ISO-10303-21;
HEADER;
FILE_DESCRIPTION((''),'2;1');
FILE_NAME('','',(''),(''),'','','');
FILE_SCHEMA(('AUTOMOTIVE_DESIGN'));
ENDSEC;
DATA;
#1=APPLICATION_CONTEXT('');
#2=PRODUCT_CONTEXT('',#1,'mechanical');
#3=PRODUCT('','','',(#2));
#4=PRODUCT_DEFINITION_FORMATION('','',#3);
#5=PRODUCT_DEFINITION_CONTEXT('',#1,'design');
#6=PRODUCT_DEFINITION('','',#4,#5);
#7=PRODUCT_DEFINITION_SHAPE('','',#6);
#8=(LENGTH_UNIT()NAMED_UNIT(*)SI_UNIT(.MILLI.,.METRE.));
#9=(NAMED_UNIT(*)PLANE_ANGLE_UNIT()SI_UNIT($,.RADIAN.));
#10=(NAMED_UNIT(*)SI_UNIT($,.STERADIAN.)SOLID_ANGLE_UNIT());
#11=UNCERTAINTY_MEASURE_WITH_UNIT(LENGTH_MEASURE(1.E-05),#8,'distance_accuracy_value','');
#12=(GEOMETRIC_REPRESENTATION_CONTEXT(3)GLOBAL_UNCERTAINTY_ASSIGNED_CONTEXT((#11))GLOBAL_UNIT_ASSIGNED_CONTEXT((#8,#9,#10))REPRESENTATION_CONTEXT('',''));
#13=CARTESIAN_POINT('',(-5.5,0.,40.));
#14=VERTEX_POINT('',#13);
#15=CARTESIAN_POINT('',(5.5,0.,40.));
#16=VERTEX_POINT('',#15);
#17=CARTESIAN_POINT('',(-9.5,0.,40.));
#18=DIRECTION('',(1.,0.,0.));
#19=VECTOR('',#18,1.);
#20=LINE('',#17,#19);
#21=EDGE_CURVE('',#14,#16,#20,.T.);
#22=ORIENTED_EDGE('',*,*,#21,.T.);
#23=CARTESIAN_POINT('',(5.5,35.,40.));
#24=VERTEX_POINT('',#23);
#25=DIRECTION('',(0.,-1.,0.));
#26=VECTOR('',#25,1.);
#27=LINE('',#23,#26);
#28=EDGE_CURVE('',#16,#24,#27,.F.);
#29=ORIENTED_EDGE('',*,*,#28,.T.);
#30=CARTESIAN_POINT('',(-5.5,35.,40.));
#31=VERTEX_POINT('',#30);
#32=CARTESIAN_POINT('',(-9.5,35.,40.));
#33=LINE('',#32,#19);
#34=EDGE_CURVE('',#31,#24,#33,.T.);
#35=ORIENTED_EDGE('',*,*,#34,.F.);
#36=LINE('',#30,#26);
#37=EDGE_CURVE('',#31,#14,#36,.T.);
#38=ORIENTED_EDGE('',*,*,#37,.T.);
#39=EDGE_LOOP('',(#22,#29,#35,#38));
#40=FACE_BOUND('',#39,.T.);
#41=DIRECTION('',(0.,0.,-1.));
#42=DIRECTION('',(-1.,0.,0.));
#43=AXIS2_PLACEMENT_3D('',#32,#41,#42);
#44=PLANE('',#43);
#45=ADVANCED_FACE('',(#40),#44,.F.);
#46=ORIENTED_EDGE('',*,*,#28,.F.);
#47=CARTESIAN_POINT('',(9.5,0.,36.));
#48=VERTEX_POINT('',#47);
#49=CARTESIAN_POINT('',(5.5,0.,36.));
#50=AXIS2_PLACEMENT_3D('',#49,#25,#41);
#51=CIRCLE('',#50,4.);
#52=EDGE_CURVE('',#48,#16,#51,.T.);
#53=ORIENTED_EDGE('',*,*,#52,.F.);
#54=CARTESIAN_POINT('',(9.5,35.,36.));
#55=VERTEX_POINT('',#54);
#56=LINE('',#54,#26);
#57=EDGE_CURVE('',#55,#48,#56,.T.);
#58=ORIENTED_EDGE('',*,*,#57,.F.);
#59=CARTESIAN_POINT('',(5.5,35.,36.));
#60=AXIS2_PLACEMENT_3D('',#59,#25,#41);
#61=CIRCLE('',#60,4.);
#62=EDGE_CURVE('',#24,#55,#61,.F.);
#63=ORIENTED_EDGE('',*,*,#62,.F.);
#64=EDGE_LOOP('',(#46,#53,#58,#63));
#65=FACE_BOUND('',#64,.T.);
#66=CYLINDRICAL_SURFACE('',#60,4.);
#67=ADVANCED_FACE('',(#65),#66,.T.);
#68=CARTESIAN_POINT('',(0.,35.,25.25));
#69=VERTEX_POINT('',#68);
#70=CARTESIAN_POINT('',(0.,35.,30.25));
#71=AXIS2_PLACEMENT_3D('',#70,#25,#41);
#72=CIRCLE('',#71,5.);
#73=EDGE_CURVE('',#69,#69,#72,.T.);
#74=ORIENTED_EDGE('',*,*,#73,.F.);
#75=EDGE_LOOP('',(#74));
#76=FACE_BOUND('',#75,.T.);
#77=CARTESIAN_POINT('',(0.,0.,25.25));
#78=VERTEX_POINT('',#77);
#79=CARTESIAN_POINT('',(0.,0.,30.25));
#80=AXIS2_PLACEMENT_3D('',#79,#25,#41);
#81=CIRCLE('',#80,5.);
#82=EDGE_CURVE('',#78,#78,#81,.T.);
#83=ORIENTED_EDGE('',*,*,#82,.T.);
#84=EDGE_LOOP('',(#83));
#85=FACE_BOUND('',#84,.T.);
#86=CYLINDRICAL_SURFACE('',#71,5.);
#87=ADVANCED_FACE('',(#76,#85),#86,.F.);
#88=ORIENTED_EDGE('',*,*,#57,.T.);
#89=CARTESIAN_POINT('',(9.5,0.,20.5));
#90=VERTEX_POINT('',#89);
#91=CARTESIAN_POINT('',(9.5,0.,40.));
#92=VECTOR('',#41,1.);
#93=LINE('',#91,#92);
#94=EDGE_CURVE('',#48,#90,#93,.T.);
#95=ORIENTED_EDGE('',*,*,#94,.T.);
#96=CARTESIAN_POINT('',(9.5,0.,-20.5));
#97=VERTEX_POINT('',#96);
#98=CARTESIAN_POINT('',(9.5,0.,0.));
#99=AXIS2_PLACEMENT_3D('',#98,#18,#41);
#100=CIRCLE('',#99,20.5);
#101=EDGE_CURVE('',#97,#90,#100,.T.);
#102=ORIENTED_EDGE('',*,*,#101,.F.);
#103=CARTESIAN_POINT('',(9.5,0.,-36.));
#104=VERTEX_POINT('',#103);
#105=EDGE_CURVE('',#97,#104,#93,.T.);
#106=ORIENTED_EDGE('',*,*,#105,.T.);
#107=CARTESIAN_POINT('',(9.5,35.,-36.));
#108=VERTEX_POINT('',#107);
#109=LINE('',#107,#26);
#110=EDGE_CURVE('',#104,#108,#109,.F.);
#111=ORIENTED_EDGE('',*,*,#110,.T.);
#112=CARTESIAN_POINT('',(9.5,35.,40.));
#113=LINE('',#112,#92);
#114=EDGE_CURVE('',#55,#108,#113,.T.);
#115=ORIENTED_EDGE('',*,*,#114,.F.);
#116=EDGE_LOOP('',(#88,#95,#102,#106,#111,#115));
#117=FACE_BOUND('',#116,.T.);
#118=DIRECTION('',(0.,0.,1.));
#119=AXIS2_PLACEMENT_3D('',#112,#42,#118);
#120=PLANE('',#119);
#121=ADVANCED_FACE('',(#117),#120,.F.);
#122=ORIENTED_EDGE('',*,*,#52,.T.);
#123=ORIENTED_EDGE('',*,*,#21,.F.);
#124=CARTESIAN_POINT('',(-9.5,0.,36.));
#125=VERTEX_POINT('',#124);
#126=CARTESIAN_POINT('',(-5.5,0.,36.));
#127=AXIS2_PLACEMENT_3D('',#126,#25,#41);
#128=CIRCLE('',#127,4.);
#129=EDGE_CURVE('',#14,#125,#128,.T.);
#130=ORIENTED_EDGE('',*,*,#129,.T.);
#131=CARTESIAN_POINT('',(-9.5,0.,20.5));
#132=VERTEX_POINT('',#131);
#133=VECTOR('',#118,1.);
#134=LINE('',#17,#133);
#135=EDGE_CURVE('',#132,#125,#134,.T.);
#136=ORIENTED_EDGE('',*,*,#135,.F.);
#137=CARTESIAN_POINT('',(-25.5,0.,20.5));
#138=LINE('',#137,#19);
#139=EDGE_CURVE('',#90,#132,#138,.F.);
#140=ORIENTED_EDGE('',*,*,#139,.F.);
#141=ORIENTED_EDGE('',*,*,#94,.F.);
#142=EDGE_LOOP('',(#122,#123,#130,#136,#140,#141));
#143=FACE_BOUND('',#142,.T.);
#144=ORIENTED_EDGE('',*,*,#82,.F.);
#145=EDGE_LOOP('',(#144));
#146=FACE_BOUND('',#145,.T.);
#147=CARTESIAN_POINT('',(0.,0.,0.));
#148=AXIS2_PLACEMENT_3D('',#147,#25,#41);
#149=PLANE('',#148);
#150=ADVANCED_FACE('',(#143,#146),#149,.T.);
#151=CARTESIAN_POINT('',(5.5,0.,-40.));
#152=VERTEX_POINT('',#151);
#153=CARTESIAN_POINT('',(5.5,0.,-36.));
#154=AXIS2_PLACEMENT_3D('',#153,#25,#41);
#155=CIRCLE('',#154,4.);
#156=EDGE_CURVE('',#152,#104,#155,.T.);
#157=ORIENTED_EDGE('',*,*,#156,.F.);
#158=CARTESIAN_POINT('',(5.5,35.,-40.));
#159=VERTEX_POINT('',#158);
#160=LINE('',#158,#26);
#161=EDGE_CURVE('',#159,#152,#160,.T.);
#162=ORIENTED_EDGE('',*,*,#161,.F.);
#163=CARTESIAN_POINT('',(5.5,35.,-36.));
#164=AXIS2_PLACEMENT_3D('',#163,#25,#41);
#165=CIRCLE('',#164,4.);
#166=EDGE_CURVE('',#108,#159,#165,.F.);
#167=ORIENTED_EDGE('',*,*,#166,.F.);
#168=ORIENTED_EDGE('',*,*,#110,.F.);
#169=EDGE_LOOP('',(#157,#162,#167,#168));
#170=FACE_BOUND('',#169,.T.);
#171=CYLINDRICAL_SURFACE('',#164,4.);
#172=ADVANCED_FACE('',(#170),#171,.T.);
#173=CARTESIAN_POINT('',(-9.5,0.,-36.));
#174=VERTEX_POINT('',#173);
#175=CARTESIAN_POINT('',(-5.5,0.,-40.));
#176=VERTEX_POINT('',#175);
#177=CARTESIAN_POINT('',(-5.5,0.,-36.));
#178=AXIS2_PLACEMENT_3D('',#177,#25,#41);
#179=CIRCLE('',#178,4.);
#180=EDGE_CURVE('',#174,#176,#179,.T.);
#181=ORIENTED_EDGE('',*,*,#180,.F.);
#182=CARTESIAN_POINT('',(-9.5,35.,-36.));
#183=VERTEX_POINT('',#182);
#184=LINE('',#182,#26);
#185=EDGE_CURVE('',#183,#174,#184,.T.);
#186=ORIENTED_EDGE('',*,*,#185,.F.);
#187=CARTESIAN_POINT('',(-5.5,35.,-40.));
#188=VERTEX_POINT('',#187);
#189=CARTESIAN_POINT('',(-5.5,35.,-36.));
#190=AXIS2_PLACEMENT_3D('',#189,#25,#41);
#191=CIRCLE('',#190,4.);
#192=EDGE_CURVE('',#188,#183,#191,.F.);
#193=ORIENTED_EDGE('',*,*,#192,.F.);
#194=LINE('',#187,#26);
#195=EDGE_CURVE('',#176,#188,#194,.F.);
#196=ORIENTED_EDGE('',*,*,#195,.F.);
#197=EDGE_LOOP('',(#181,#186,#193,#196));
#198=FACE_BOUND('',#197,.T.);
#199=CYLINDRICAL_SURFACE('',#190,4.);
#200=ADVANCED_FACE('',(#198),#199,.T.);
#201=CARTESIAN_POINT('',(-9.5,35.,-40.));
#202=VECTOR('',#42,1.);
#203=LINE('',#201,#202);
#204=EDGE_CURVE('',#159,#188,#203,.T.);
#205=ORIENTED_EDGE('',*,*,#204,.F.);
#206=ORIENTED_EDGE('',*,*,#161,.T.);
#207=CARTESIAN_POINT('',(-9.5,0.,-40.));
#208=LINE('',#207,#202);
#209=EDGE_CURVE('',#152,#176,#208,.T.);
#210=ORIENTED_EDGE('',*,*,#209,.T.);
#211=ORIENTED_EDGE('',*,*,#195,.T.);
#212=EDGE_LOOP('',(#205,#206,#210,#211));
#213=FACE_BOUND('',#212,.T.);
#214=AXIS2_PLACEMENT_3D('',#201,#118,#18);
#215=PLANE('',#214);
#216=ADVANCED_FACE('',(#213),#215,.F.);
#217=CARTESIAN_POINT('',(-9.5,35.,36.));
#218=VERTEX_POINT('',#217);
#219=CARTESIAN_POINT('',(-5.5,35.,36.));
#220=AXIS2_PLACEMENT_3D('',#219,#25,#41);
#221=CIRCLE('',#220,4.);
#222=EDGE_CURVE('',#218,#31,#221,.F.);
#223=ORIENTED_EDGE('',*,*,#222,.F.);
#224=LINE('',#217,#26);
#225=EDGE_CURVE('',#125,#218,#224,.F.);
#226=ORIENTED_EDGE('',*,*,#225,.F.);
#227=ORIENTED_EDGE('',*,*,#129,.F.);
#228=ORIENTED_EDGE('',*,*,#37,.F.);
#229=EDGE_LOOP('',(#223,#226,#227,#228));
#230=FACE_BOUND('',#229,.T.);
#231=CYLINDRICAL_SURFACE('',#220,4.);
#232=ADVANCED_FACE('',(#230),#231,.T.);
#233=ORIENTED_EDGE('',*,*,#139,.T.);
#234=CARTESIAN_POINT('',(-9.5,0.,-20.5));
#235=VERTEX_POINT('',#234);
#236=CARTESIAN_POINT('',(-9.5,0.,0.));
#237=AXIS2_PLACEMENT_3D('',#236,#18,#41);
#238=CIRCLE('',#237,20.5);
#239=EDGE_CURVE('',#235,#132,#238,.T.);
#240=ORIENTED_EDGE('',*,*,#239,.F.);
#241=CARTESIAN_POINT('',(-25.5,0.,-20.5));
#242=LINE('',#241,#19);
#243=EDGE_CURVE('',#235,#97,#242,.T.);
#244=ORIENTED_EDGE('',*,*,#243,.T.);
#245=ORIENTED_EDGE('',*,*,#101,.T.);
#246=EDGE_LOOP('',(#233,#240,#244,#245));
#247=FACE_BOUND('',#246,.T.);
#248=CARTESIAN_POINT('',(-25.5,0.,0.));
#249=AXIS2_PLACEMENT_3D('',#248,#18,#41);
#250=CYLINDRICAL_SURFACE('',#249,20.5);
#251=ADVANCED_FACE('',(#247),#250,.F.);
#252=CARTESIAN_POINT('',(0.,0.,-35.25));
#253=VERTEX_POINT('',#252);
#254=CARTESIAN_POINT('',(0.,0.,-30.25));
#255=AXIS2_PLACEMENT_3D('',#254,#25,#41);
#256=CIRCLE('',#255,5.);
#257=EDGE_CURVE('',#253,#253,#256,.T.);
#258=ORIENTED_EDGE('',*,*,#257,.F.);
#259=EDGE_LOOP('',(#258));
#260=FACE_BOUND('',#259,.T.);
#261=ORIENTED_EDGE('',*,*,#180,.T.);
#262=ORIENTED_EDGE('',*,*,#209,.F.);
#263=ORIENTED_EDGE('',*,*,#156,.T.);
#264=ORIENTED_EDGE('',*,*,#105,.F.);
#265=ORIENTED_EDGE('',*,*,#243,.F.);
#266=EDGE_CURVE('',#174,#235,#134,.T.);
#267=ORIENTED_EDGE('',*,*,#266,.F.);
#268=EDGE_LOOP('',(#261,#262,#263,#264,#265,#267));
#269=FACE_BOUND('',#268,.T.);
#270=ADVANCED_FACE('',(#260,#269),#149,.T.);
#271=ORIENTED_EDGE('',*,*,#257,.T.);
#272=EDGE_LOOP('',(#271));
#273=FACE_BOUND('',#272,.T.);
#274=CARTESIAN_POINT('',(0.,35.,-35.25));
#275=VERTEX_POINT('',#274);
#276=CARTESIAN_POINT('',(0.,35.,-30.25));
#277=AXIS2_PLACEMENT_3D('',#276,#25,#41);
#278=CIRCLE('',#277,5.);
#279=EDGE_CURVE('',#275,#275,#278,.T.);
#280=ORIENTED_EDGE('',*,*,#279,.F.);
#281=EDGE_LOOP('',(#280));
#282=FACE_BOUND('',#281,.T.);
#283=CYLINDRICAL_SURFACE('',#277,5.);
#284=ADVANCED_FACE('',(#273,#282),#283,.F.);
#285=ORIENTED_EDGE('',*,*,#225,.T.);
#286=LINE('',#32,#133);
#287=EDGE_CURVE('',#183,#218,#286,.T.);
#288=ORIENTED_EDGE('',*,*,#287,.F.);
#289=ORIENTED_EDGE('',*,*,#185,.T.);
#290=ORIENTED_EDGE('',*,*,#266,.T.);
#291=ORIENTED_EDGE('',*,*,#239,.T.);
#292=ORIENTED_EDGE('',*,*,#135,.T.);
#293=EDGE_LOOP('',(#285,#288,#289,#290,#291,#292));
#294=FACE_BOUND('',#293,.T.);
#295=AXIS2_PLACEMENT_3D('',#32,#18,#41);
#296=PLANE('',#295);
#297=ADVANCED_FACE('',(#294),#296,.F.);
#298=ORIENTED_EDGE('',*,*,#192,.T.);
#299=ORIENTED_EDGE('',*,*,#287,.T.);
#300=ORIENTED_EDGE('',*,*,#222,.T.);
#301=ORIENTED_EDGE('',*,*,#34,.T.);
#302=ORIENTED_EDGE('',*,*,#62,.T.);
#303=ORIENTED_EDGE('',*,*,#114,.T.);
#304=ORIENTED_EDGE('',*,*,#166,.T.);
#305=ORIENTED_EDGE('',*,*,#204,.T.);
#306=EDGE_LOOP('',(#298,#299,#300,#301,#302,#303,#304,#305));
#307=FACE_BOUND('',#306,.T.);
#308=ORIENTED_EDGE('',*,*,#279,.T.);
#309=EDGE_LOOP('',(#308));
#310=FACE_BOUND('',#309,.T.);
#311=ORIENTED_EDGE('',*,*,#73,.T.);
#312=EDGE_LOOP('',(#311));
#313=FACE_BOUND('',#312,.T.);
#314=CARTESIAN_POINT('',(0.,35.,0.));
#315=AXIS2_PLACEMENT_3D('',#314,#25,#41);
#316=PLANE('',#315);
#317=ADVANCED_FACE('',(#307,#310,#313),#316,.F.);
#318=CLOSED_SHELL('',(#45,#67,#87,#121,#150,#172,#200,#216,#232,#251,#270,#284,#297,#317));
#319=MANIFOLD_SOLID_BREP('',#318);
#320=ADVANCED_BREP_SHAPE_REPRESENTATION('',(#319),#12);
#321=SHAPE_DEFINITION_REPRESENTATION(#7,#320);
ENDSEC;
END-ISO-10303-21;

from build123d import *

# Parameters (mm, degrees)
SKETCH1_W           = 19
SKETCH1_H           = 80
BOSS_EXTRUDE1_DEPTH = 35
CUT_EXTRUDE1_DEPTH  = 35
SKETCH3_R           = 5
CUT_EXTRUDE2_DEPTH  = 35
FILLET1_R           = 4


with BuildPart() as part:
    # Sketch1 → Boss-Extrude1 (new body)
    with BuildSketch(Plane(origin=(0, 0, 0), x_dir=(1, 0, 0), z_dir=(0, 1, 0))):
        Rectangle(SKETCH1_W, SKETCH1_H)
    extrude(amount=BOSS_EXTRUDE1_DEPTH)

    # Sketch2 → Cut-Extrude1 (cut)
    with BuildSketch(Plane(origin=(9.5, 0, 0), x_dir=(0, 0, -1), z_dir=(1, 0, 0))):
        with BuildLine():
            ThreePointArc((20.5, 0), (0, 20.5), (-20.5, 0))
            Line((-20.5, 0), (20.5, 0))
        make_face()
        with BuildLine():
            Line((20.5, 0), (-20.5, 0))
            ThreePointArc((-20.5, 0), (0, -20.5), (20.5, 0))
        make_face()
    extrude(amount=-CUT_EXTRUDE1_DEPTH, mode=Mode.SUBTRACT)

    # Sketch3 → Cut-Extrude2 (cut)
    with BuildSketch(Plane.XZ):
        with Locations(Location((0, -30.25, 0), (0, 0, 270))):
            Circle(SKETCH3_R)
        with Locations(Location((0, 30.25, 0), (0, 0, 270))):
            Circle(SKETCH3_R)
    extrude(amount=-CUT_EXTRUDE2_DEPTH, mode=Mode.SUBTRACT)

    # Fillet1
    fillet1_edges = [part.edges().sort_by_distance(p)[0] for p in [
        (9.5, 17.5, 40),
        (-9.5, 17.5, 40),
        (-9.5, 17.5, -40),
        (9.5, 17.5, -40),
    ]]
    fillet(fillet1_edges, radius=FILLET1_R)


solid = part.part
